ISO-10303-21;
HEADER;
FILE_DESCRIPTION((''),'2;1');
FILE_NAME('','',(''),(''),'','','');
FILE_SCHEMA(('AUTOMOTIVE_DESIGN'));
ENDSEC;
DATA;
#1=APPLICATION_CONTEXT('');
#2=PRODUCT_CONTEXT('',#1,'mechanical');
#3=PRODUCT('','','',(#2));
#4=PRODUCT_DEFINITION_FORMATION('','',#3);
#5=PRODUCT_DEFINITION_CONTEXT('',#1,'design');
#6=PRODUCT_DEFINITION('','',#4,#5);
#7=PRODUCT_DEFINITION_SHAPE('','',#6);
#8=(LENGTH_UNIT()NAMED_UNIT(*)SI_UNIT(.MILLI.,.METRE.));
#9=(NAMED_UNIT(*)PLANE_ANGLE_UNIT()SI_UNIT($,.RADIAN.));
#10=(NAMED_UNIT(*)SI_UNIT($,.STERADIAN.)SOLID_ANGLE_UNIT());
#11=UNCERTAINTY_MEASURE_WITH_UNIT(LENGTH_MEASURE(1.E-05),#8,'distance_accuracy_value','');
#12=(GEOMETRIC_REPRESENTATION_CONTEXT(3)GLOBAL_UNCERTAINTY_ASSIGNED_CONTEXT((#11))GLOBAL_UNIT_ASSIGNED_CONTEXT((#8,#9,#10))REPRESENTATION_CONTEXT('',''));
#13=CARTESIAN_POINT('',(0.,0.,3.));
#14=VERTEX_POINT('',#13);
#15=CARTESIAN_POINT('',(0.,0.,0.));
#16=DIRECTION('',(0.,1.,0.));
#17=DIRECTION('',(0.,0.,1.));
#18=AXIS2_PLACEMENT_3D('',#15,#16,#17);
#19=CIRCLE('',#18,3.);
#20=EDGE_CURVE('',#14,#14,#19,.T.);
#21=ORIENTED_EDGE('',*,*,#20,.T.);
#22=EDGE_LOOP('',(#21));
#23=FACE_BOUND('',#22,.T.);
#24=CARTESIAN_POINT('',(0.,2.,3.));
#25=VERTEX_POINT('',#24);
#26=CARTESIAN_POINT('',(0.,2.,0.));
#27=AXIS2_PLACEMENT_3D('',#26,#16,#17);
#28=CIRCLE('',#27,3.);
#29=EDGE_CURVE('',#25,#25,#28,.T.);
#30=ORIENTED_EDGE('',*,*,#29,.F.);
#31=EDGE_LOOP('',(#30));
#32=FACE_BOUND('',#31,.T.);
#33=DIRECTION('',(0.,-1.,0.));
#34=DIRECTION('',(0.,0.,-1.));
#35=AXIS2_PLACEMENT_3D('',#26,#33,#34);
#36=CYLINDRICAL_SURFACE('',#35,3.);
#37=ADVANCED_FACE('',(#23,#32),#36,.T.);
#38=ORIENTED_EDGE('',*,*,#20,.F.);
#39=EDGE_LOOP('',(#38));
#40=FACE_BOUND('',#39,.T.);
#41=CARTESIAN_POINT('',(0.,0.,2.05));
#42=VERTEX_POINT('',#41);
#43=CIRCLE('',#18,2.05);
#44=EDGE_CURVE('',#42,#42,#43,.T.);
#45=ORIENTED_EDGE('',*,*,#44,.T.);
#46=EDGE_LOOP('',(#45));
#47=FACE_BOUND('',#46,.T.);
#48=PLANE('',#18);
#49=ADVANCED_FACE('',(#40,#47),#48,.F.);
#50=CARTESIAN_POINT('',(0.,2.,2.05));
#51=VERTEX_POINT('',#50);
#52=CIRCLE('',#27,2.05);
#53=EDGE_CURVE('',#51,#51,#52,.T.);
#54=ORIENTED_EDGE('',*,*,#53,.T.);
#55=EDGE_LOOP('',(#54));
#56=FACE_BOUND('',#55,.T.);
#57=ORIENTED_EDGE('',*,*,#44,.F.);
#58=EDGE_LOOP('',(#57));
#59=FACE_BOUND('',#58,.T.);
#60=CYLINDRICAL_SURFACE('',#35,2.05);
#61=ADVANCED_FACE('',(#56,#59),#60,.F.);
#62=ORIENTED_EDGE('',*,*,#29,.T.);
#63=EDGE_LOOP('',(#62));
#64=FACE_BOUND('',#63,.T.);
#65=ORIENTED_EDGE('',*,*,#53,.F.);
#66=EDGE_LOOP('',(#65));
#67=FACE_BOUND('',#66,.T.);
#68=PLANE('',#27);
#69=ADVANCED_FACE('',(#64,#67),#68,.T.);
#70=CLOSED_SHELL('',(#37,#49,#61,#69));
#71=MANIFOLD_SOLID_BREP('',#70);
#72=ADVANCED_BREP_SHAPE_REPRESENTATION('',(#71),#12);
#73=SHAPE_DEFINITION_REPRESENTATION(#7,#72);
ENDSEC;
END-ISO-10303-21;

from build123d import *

# Parameters (mm, degrees)
SKETCH_1_R      = 3
SKETCH_1_R_2    = 2.05
EXTRUDE_1_DEPTH = 2


with BuildPart() as part:
    # 草图1 → 凸台-拉伸1 (new body)
    with BuildSketch(Plane(origin=(0, 0, 0), x_dir=(1, 0, 0), z_dir=(0, 1, 0))):
        Circle(SKETCH_1_R)
        Circle(SKETCH_1_R_2, mode=Mode.SUBTRACT)
    extrude(amount=EXTRUDE_1_DEPTH)


solid = part.part
